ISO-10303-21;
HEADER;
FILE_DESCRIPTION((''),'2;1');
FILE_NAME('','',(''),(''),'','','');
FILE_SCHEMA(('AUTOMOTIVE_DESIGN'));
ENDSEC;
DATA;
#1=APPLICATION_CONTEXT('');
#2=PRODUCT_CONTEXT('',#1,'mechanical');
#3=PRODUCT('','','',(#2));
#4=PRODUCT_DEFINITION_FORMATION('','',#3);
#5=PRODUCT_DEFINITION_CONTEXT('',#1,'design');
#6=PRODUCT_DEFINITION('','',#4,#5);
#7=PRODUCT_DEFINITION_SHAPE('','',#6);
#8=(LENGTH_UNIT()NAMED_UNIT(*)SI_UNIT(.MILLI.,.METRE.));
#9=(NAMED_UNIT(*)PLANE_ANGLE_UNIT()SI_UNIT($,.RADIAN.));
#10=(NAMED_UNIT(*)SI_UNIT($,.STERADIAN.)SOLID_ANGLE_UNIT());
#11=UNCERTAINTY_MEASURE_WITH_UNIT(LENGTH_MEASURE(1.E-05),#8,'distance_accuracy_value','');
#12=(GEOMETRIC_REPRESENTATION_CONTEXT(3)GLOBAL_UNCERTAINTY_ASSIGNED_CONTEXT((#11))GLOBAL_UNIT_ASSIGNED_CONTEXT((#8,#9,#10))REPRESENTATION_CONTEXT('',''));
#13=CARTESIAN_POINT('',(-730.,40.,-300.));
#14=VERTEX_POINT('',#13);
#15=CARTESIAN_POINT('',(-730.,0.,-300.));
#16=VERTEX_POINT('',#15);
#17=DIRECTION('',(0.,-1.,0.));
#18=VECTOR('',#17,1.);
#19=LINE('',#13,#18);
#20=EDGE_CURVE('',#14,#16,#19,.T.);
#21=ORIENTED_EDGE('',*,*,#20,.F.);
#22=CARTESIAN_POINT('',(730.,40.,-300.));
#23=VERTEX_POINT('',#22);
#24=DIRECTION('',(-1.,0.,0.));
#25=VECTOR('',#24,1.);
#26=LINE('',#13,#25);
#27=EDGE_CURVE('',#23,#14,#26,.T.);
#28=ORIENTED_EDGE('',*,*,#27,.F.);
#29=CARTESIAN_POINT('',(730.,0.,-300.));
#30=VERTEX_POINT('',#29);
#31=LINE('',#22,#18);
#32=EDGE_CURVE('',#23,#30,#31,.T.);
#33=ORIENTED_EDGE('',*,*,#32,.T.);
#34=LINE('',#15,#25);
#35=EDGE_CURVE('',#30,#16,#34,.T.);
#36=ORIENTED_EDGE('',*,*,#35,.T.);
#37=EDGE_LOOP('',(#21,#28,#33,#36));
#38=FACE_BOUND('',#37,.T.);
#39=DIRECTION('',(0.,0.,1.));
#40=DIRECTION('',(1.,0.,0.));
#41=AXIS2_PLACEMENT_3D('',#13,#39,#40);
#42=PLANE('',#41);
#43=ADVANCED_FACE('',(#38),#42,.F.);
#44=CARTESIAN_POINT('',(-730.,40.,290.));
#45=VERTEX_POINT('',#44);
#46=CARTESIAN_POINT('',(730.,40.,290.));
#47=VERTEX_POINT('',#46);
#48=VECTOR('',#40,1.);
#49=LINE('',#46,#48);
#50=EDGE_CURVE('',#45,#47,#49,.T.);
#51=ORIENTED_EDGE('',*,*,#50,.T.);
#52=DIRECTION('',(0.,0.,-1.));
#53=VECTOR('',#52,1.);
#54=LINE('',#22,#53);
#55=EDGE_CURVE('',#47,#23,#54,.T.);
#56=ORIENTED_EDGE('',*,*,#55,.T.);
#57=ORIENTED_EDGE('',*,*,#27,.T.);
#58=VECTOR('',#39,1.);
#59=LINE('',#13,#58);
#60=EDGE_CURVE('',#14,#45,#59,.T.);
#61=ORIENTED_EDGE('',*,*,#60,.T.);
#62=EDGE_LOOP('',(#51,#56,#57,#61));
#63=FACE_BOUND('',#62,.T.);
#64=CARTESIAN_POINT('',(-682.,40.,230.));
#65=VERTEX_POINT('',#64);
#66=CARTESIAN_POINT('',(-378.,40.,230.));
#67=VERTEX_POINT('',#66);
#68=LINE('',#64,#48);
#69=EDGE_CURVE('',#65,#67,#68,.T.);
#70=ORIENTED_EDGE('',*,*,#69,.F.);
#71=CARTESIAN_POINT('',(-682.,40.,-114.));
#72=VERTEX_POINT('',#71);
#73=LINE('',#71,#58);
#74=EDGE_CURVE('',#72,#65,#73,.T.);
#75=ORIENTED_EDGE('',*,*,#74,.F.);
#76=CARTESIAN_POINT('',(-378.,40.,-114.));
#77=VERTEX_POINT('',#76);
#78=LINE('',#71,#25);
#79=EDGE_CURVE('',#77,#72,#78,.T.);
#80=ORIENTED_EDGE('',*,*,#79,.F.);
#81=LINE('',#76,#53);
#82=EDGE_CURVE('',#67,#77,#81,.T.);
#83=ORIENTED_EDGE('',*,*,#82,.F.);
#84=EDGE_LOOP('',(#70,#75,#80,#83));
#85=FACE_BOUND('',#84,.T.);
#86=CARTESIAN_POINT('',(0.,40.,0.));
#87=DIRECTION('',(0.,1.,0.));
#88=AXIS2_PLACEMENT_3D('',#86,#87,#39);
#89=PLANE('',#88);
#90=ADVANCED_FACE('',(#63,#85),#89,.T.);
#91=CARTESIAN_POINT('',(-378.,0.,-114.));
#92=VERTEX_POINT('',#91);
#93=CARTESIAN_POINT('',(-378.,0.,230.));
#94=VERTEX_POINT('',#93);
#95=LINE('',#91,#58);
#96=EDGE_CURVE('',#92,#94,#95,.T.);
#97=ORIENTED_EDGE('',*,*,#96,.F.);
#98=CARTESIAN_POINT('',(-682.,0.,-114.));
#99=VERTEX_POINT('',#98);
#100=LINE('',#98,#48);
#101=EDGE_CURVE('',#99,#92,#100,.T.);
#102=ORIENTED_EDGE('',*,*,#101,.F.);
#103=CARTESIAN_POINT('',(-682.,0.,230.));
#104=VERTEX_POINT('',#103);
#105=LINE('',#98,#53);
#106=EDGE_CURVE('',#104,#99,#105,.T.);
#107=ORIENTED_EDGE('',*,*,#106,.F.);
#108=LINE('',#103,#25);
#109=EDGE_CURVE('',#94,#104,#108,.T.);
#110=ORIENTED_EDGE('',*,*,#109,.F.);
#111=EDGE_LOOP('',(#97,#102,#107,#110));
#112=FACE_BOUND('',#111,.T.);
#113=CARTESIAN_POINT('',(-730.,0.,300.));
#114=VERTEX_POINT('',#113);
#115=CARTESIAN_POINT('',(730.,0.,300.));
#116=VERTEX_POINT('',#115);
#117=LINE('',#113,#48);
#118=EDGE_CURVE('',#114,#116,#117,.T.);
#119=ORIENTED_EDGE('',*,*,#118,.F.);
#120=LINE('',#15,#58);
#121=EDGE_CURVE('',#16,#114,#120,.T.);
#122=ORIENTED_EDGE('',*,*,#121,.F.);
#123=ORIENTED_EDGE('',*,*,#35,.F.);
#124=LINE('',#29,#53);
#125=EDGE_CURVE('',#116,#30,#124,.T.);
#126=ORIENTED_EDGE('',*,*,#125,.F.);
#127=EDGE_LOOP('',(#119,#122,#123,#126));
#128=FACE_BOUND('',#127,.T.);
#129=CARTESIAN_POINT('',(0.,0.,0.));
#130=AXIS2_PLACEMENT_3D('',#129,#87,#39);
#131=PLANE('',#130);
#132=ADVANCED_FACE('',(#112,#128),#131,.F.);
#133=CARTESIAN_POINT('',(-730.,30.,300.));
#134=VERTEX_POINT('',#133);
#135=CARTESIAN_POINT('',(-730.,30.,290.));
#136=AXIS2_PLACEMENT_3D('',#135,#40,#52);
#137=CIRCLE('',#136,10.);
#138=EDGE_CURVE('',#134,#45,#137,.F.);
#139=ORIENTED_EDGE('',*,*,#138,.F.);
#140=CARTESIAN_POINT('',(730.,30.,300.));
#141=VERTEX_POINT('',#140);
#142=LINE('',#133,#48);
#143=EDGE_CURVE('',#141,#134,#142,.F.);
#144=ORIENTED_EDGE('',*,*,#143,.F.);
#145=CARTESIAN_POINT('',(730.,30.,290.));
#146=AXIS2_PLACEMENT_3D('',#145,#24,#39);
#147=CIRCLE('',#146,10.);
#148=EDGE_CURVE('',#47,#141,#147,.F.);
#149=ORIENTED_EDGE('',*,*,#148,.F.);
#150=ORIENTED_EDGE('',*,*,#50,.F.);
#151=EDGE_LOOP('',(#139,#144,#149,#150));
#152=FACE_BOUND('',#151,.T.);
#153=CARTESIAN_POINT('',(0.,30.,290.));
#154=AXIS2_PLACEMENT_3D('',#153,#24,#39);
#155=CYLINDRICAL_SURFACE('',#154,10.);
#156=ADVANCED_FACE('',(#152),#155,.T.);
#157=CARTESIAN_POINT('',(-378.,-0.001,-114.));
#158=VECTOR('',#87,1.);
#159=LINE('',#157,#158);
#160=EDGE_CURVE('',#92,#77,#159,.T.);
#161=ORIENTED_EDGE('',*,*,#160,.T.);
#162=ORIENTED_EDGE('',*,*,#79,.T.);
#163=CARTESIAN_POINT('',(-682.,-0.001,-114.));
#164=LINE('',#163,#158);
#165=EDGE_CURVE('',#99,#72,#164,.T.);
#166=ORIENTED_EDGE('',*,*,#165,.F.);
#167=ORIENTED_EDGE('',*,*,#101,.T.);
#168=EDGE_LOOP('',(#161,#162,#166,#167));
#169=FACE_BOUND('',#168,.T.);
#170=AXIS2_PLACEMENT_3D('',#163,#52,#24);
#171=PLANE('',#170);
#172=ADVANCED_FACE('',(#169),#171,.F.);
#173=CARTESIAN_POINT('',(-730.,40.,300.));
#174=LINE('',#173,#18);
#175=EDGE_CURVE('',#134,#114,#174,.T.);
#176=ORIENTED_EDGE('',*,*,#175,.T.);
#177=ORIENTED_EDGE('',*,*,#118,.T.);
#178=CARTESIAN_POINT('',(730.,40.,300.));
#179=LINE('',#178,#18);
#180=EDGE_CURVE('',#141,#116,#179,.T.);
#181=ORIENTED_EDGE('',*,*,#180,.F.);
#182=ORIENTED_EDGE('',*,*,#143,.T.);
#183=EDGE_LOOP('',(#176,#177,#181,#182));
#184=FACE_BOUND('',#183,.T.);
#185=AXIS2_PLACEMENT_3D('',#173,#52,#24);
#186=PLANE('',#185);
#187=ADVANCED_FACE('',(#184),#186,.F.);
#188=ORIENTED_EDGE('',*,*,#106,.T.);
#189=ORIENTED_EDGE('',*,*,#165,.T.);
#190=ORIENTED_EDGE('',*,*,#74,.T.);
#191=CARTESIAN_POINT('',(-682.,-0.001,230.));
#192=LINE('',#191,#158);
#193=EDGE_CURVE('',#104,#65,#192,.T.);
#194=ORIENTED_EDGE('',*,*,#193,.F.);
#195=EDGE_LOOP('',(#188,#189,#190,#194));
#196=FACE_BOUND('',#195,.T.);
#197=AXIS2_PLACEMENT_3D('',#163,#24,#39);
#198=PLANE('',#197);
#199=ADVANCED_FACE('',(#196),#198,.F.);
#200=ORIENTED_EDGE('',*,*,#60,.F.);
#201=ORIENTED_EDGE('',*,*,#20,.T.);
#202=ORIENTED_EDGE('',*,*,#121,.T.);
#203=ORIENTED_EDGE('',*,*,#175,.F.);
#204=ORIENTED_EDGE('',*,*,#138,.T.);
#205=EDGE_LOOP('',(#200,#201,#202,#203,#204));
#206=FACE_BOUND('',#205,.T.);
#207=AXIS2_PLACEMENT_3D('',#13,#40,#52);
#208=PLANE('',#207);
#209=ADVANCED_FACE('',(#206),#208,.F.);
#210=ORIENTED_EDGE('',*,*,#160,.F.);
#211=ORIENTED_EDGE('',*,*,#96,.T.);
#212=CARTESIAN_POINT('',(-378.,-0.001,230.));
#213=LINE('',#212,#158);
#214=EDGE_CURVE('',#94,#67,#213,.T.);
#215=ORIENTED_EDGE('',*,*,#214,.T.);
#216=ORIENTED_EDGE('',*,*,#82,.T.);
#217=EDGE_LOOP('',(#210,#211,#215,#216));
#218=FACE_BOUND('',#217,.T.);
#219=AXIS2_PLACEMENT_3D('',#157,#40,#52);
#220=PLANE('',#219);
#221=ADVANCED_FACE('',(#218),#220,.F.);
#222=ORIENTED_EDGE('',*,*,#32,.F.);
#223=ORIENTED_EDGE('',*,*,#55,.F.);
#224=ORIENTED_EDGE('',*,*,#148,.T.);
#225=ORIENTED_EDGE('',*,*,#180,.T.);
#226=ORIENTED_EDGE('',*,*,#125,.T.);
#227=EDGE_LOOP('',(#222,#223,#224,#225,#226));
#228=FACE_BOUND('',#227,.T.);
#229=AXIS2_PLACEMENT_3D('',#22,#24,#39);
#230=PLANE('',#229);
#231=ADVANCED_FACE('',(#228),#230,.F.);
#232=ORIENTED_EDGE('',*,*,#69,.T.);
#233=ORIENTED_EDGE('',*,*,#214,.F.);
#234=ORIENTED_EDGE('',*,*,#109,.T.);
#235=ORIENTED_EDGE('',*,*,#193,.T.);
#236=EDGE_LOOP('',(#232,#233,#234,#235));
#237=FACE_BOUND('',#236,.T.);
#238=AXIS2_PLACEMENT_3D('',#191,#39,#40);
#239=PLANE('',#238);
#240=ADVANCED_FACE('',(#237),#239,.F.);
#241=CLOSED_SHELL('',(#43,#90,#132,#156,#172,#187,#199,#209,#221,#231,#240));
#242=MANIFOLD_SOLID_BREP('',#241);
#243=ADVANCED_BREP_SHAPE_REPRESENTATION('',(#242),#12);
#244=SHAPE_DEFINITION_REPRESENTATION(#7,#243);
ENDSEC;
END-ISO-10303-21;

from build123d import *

# Parameters (mm, degrees)
SKETCH1_W           = 1460
SKETCH1_H           = 600
BOSS_EXTRUDE1_DEPTH = 40
FILLET1_R           = 10
CUT_EXTRUDE1_REACH  = 792.253
SKETCH2_W           = 304
SKETCH2_H           = 344


with BuildPart() as part:
    # Sketch1 → Boss-Extrude1 (new body)
    with BuildSketch(Plane(origin=(0, 0, 0), x_dir=(1, 0, 0), z_dir=(0, 1, 0))):
        Rectangle(SKETCH1_W, SKETCH1_H)
    extrude(amount=BOSS_EXTRUDE1_DEPTH)

    # Fillet1
    fillet1_edges = [part.edges().sort_by_distance(p)[0] for p in [
        (0, 40, 300),
    ]]
    fillet(fillet1_edges, radius=FILLET1_R)

    # Sketch2 → Cut-Extrude1 (cut, up to next)
    with BuildSketch(Plane(origin=(0, 40, 0), x_dir=(1, 0, 0), z_dir=(0, 1, 0)), mode=Mode.PRIVATE) as cut_extrude1_sk1:
        with Locations((-530, -58)):
            Rectangle(SKETCH2_W, SKETCH2_H)
    cut_extrude1_tool1 = extrude(cut_extrude1_sk1.sketch, amount=-CUT_EXTRUDE1_REACH, mode=Mode.PRIVATE) & part.part
    add(cut_extrude1_tool1.solids().sort_by_distance((-530, 40, 58))[0], mode=Mode.SUBTRACT)


solid = part.part
